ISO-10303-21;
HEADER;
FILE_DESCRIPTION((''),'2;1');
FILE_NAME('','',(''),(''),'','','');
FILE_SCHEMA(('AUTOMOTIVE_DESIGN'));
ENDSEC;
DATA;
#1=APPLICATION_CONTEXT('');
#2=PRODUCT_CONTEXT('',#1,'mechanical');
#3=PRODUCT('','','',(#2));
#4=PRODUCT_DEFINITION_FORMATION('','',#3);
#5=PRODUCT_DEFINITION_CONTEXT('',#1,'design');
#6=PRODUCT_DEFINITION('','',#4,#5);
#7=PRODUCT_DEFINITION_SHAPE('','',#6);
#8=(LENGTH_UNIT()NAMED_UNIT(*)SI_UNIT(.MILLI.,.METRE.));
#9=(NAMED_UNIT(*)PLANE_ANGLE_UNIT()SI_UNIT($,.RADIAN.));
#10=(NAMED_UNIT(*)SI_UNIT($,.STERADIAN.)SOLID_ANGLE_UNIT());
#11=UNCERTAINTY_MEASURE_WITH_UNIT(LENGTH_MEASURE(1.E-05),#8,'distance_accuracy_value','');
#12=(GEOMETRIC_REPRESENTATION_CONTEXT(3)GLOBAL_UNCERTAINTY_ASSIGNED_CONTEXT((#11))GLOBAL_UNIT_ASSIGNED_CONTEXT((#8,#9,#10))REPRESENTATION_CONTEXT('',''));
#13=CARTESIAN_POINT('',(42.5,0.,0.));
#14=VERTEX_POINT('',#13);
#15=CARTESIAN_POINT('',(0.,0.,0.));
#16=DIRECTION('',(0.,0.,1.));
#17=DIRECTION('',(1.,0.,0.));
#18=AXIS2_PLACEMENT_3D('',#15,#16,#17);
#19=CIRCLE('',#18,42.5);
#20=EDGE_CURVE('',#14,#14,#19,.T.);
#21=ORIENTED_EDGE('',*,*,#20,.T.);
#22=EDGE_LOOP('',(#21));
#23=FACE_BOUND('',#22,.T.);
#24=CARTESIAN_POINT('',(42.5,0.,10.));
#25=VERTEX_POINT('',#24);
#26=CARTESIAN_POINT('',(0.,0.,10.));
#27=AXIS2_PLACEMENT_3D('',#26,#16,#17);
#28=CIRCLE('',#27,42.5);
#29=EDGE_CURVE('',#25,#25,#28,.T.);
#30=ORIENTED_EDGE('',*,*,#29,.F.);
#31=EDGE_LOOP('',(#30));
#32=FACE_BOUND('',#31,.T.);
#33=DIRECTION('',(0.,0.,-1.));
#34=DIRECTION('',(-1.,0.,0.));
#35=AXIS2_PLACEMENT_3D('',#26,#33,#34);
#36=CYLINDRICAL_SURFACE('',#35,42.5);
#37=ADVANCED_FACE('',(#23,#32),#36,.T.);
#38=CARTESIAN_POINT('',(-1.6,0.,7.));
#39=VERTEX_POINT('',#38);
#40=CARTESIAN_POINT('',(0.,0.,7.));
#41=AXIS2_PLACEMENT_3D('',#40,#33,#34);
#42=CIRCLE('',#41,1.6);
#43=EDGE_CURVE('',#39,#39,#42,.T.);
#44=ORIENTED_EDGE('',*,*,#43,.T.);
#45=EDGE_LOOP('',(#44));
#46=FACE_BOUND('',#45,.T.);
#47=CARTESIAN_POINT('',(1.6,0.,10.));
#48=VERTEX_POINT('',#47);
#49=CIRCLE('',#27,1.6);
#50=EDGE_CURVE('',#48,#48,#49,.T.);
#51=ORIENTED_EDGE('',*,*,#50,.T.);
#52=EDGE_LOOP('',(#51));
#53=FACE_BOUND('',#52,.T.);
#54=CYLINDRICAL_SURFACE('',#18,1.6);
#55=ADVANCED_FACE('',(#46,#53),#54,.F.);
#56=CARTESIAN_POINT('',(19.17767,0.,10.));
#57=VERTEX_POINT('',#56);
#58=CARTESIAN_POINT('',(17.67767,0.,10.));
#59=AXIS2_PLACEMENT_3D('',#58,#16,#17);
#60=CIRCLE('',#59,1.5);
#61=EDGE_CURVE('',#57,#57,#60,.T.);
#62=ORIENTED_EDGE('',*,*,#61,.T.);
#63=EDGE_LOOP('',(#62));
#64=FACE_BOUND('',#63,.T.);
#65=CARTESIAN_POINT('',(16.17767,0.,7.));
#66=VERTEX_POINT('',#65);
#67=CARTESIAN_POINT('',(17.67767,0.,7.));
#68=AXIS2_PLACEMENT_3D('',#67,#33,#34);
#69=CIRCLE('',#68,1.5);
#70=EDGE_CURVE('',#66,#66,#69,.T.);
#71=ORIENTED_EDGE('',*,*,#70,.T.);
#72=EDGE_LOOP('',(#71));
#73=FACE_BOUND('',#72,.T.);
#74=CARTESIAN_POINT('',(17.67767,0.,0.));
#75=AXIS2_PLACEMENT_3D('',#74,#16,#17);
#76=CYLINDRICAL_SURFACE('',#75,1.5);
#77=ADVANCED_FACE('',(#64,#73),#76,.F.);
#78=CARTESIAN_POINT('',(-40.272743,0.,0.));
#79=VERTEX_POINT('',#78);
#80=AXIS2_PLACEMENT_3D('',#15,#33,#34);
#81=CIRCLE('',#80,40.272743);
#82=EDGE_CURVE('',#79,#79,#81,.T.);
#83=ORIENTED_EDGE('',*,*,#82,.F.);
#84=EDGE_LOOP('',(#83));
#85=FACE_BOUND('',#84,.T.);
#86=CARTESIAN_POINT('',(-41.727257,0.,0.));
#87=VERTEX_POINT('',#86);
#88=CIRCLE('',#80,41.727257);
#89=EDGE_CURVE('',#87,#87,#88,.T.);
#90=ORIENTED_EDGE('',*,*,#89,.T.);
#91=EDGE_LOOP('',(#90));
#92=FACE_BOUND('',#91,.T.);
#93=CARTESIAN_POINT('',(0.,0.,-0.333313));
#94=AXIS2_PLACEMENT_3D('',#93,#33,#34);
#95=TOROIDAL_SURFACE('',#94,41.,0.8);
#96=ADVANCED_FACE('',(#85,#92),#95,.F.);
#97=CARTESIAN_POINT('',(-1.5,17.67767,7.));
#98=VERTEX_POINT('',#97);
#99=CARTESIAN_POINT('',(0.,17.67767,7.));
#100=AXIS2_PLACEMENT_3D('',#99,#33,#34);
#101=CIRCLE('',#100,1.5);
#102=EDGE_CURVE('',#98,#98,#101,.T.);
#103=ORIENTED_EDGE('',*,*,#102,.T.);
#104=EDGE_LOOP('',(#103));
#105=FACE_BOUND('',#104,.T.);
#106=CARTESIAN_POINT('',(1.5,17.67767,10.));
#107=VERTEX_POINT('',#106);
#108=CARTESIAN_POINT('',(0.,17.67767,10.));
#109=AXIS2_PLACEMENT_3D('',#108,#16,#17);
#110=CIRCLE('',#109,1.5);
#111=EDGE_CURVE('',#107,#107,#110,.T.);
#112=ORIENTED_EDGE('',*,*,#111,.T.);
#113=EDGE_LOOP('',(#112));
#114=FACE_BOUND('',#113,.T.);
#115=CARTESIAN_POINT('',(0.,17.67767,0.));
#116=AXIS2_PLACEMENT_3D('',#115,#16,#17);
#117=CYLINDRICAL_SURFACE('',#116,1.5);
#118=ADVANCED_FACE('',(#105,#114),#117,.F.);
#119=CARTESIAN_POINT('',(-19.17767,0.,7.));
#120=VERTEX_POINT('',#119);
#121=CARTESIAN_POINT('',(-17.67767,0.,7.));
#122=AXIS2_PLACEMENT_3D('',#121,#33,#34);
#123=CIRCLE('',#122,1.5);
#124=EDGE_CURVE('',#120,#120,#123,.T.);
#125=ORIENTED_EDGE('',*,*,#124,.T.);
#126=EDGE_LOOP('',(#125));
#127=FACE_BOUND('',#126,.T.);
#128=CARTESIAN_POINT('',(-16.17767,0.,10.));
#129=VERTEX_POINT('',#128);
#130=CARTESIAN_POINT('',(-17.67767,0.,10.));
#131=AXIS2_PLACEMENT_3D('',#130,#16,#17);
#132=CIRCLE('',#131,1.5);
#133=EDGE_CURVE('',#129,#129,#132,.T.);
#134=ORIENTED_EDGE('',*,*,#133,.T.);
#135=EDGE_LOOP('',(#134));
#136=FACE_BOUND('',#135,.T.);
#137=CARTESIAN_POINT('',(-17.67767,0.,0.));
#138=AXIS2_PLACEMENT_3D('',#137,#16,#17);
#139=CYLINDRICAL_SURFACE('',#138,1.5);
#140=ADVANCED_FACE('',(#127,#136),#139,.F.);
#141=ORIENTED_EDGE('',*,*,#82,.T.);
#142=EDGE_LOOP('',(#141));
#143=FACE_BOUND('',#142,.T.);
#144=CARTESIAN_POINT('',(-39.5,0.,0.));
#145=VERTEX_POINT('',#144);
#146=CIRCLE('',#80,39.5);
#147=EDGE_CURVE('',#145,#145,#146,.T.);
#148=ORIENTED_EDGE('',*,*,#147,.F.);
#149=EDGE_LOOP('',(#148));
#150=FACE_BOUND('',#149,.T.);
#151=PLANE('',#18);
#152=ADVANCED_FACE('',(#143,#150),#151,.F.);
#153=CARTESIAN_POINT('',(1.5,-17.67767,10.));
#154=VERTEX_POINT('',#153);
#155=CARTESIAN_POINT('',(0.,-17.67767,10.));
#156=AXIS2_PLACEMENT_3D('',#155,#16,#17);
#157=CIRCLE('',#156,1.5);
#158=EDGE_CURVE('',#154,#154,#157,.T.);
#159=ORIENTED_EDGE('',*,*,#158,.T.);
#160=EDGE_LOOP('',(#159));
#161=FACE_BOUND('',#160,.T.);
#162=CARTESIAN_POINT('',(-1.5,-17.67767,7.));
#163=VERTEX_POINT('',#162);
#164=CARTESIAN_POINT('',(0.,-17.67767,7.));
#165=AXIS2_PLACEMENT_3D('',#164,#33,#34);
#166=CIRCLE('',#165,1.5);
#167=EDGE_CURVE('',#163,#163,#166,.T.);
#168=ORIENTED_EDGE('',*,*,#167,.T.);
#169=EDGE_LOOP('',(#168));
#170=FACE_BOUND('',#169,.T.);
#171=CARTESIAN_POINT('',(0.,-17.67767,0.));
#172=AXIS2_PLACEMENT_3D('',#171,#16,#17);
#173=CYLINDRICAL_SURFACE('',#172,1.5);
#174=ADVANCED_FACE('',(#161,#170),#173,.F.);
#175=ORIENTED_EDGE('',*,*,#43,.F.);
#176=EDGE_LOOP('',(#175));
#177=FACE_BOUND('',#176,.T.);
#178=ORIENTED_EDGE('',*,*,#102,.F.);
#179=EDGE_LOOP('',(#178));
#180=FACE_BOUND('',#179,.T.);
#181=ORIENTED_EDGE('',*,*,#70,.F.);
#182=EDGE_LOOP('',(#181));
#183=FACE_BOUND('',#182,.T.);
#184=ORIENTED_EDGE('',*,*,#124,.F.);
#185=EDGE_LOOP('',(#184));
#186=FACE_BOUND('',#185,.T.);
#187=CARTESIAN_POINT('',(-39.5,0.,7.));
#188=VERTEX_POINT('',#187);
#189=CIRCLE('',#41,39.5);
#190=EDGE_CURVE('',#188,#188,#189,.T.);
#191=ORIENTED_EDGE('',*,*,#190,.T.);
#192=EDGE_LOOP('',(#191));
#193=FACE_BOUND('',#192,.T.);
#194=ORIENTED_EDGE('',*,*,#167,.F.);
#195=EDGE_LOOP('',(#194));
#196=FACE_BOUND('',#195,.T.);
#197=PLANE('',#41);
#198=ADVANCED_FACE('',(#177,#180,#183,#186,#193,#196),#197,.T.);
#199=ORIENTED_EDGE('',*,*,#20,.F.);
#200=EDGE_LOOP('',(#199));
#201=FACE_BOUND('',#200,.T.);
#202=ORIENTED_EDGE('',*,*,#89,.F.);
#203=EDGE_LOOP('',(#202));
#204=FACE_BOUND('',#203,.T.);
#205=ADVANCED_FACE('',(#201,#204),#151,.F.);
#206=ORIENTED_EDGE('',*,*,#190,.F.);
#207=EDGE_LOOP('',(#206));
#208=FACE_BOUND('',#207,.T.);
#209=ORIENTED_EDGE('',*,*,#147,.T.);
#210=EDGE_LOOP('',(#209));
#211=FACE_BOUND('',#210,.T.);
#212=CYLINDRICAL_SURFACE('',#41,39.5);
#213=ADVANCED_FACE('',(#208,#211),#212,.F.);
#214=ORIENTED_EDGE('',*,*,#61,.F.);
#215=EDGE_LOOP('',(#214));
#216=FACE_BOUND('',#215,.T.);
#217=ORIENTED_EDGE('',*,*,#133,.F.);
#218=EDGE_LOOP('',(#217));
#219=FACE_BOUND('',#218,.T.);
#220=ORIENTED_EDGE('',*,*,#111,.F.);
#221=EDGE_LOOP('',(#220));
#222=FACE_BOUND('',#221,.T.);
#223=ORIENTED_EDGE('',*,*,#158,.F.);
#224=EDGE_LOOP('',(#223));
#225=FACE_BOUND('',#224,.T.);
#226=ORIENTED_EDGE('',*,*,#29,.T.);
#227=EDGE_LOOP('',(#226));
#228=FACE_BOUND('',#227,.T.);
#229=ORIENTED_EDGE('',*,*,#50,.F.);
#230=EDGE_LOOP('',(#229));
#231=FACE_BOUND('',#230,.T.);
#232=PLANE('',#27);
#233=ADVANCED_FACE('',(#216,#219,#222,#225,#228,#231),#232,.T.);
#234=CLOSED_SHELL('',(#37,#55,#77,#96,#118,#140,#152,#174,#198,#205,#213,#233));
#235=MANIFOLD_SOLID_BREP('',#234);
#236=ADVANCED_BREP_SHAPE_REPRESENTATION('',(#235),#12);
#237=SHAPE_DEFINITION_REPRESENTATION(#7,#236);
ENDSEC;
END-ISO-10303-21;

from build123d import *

# Parameters (mm, degrees)
SKETCH_1_R          = 42.5
EXTRUDE_1_DEPTH     = 10
SKETCH_2_R          = 39.5
CUT_EXTRUDE_1_DEPTH = 7
SKETCH_4_R          = 1.5
SKETCH_4_R_2        = 1.6
CUT_EXTRUDE_2_DEPTH = 61.930288035


with BuildPart() as part:
    # 草图1 → 凸台-拉伸1 (new body)
    with BuildSketch(Plane.XY):
        Circle(SKETCH_1_R)
    extrude(amount=EXTRUDE_1_DEPTH)

    # 草图2 → 切除-拉伸1 (cut)
    with BuildSketch(Plane(origin=(0, 0, 0), x_dir=(-1, 0, 0), z_dir=(0, 0, -1))):
        Circle(SKETCH_2_R)
    extrude(amount=-CUT_EXTRUDE_1_DEPTH, mode=Mode.SUBTRACT)

    # 草图4 → 切除-拉伸2 (cut, through all)
    with BuildSketch(Plane.XY.offset(10)):
        with Locations((0, 17.67766953)):
            Circle(SKETCH_4_R)
        with Locations((17.67766953, 0)):
            Circle(SKETCH_4_R)
        with Locations((0, -17.67766953)):
            Circle(SKETCH_4_R)
        with Locations((-17.67766953, 0)):
            Circle(SKETCH_4_R)
        Circle(SKETCH_4_R_2)
    extrude(amount=-CUT_EXTRUDE_2_DEPTH, mode=Mode.SUBTRACT)

    # 草图5 → 切除-旋转1 (revolve, cut)
    with BuildSketch(Plane(origin=(0, 0, 0), x_dir=(1, 0, 0), z_dir=(0, 1, 0)), mode=Mode.PRIVATE) as cut_revolve_1_sk:
        with BuildLine():
            Line((40.272743429, 0), (41.727256571, 0))
            ThreePointArc((41.727256571, 0), (41, -0.466686515), (40.272743429, 0))
        make_face()
    revolve(cut_revolve_1_sk.sketch.rotate(Axis((0, 0, -35.110243207), (0, 0, 1)), 180), axis=Axis((0, 0, -35.110243207), (0, 0, 1)), mode=Mode.SUBTRACT)


solid = part.part
